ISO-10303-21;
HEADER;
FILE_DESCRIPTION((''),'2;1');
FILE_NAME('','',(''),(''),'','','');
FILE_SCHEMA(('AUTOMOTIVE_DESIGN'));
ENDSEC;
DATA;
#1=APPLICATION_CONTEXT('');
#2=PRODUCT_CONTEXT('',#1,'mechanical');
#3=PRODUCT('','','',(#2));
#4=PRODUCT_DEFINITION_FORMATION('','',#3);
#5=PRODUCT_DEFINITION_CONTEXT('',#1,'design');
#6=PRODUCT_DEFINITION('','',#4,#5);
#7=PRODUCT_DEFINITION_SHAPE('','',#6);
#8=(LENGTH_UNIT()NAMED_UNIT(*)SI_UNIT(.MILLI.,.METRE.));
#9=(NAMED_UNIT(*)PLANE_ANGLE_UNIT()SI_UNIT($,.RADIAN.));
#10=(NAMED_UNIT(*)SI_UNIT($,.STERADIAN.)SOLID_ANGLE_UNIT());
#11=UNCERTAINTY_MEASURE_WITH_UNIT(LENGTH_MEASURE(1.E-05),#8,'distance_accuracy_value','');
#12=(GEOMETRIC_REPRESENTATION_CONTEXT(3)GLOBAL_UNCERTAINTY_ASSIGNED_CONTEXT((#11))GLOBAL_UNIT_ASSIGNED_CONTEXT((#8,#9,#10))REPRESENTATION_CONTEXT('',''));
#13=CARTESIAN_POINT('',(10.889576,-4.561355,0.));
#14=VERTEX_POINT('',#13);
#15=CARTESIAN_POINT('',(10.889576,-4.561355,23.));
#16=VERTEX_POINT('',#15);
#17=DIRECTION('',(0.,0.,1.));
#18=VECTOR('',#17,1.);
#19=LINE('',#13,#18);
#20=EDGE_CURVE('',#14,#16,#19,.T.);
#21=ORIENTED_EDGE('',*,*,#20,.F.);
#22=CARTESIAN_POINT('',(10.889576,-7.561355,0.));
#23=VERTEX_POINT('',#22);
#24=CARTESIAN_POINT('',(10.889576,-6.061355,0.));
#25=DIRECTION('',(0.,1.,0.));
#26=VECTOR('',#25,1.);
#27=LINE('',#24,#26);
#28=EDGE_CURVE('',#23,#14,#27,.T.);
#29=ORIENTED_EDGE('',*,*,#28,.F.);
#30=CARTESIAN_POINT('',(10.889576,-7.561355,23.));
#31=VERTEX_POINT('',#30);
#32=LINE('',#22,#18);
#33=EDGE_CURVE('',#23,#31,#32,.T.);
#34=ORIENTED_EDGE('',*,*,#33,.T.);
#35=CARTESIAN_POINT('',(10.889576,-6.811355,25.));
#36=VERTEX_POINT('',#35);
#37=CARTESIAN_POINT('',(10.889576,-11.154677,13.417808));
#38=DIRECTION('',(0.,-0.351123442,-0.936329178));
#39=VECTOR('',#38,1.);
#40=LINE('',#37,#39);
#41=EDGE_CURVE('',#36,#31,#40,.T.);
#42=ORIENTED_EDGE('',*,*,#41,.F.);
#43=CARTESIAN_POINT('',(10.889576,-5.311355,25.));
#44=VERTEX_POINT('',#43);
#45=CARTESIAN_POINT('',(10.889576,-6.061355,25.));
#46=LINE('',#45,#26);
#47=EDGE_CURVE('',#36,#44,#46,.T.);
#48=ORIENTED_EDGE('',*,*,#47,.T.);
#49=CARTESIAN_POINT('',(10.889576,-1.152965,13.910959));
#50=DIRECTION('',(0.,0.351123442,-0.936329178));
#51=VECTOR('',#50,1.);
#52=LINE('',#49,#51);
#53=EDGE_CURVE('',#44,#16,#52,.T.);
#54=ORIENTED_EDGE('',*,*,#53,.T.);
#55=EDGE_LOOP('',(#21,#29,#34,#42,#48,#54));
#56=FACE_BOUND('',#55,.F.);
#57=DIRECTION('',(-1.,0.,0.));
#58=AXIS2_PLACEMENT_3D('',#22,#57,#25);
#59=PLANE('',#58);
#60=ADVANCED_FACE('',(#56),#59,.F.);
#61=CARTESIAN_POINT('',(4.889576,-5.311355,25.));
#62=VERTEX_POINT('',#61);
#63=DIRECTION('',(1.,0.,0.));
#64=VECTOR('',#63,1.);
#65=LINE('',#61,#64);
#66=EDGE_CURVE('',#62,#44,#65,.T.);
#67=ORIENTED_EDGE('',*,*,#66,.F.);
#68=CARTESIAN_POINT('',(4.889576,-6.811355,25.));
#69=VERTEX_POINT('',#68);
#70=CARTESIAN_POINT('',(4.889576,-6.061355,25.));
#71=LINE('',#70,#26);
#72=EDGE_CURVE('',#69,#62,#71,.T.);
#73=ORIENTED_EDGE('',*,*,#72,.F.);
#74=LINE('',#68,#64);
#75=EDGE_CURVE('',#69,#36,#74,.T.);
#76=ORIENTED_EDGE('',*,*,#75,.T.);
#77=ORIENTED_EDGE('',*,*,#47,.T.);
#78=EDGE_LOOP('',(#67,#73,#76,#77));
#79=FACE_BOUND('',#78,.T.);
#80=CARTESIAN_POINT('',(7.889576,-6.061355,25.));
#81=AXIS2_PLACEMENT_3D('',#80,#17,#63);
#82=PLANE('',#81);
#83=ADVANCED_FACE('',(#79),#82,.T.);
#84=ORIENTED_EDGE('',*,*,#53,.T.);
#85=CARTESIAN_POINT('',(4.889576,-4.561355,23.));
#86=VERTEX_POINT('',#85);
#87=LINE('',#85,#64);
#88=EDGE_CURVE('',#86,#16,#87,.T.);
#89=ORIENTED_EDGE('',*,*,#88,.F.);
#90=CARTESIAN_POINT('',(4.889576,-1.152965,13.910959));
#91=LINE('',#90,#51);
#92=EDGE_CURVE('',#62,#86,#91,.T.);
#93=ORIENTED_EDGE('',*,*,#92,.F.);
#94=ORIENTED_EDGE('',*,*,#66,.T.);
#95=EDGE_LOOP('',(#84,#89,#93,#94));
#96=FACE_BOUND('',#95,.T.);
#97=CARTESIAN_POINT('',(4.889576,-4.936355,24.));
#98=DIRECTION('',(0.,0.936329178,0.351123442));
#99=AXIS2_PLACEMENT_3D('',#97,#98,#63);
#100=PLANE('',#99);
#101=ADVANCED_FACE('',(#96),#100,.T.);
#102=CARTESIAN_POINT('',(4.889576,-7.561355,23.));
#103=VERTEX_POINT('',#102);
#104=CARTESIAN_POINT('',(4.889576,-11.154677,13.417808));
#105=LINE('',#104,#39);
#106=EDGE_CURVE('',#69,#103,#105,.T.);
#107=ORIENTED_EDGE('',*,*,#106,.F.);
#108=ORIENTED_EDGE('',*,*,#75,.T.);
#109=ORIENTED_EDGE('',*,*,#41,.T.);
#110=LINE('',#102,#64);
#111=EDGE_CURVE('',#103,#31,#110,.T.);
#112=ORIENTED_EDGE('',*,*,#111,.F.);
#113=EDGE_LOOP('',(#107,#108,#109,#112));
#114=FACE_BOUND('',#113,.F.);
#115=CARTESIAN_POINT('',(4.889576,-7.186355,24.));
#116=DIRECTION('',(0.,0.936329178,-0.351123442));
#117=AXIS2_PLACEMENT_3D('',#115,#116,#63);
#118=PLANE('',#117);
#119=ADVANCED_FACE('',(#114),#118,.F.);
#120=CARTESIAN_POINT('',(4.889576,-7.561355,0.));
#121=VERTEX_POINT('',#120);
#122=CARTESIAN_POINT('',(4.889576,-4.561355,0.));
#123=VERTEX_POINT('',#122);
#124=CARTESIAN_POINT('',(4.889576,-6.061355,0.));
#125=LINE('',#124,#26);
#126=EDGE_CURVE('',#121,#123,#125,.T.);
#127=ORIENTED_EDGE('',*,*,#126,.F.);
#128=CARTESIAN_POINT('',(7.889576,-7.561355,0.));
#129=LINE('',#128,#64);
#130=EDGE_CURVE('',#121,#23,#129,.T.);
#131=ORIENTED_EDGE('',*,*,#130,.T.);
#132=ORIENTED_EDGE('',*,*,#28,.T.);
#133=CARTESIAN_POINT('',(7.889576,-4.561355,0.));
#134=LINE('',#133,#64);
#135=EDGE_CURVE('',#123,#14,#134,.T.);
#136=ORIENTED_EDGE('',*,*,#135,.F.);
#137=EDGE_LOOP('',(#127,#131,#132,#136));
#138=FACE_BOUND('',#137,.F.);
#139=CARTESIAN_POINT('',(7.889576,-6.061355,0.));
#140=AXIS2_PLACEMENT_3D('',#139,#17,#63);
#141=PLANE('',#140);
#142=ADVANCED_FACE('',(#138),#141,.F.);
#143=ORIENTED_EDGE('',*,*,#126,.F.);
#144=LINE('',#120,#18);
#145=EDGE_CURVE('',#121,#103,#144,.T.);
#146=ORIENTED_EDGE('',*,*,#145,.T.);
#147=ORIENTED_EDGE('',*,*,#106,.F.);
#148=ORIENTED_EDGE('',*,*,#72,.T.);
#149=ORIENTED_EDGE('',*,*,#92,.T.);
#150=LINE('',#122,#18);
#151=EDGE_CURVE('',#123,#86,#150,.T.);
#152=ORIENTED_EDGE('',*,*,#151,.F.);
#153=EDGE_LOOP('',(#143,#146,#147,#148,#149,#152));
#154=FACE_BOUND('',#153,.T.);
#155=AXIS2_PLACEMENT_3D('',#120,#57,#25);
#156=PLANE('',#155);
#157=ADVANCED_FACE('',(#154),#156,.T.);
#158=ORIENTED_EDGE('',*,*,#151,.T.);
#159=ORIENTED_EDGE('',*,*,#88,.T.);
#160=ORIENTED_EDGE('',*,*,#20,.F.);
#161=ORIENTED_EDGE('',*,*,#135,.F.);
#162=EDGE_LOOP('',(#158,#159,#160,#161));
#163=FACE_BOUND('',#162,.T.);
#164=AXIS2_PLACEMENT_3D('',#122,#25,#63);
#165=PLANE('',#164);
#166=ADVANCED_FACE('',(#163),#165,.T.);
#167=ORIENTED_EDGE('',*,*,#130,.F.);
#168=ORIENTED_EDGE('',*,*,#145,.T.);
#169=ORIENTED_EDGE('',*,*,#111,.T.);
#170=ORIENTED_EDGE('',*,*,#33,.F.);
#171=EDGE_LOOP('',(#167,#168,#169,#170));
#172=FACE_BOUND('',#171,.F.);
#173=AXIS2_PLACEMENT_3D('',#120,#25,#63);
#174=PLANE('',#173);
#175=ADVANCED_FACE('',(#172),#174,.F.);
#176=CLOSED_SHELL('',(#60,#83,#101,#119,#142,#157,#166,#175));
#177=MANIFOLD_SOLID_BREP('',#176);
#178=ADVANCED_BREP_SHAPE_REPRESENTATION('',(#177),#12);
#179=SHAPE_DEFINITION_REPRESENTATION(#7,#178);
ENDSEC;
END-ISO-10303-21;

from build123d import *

# Parameters (mm, degrees)
F0_W     = 6
F0_H     = 3
F1_DEPTH = 25
F2_SIZE2 = 2
F2_SIZE  = 0.75


with BuildPart() as f1:
    # F0 (on Top) → F1 (new body)
    with BuildSketch(Plane.XY):
        with Locations((7.8895762563, -6.0613551888)):
            Rectangle(F0_W, F0_H)
    extrude(amount=F1_DEPTH)

    # F2
    f2_edges = [f1.edges().sort_by_distance(p)[0] for p in [
        (7.889576, -7.561355, 25),
        (7.889576, -4.561355, 25),
    ]]
    f2_side = f1.faces().sort_by_distance((7.889576, -6.061355, 25))[0]
    chamfer(f2_edges, length=F2_SIZE, length2=F2_SIZE2, reference=f2_side)


solid = f1.part
